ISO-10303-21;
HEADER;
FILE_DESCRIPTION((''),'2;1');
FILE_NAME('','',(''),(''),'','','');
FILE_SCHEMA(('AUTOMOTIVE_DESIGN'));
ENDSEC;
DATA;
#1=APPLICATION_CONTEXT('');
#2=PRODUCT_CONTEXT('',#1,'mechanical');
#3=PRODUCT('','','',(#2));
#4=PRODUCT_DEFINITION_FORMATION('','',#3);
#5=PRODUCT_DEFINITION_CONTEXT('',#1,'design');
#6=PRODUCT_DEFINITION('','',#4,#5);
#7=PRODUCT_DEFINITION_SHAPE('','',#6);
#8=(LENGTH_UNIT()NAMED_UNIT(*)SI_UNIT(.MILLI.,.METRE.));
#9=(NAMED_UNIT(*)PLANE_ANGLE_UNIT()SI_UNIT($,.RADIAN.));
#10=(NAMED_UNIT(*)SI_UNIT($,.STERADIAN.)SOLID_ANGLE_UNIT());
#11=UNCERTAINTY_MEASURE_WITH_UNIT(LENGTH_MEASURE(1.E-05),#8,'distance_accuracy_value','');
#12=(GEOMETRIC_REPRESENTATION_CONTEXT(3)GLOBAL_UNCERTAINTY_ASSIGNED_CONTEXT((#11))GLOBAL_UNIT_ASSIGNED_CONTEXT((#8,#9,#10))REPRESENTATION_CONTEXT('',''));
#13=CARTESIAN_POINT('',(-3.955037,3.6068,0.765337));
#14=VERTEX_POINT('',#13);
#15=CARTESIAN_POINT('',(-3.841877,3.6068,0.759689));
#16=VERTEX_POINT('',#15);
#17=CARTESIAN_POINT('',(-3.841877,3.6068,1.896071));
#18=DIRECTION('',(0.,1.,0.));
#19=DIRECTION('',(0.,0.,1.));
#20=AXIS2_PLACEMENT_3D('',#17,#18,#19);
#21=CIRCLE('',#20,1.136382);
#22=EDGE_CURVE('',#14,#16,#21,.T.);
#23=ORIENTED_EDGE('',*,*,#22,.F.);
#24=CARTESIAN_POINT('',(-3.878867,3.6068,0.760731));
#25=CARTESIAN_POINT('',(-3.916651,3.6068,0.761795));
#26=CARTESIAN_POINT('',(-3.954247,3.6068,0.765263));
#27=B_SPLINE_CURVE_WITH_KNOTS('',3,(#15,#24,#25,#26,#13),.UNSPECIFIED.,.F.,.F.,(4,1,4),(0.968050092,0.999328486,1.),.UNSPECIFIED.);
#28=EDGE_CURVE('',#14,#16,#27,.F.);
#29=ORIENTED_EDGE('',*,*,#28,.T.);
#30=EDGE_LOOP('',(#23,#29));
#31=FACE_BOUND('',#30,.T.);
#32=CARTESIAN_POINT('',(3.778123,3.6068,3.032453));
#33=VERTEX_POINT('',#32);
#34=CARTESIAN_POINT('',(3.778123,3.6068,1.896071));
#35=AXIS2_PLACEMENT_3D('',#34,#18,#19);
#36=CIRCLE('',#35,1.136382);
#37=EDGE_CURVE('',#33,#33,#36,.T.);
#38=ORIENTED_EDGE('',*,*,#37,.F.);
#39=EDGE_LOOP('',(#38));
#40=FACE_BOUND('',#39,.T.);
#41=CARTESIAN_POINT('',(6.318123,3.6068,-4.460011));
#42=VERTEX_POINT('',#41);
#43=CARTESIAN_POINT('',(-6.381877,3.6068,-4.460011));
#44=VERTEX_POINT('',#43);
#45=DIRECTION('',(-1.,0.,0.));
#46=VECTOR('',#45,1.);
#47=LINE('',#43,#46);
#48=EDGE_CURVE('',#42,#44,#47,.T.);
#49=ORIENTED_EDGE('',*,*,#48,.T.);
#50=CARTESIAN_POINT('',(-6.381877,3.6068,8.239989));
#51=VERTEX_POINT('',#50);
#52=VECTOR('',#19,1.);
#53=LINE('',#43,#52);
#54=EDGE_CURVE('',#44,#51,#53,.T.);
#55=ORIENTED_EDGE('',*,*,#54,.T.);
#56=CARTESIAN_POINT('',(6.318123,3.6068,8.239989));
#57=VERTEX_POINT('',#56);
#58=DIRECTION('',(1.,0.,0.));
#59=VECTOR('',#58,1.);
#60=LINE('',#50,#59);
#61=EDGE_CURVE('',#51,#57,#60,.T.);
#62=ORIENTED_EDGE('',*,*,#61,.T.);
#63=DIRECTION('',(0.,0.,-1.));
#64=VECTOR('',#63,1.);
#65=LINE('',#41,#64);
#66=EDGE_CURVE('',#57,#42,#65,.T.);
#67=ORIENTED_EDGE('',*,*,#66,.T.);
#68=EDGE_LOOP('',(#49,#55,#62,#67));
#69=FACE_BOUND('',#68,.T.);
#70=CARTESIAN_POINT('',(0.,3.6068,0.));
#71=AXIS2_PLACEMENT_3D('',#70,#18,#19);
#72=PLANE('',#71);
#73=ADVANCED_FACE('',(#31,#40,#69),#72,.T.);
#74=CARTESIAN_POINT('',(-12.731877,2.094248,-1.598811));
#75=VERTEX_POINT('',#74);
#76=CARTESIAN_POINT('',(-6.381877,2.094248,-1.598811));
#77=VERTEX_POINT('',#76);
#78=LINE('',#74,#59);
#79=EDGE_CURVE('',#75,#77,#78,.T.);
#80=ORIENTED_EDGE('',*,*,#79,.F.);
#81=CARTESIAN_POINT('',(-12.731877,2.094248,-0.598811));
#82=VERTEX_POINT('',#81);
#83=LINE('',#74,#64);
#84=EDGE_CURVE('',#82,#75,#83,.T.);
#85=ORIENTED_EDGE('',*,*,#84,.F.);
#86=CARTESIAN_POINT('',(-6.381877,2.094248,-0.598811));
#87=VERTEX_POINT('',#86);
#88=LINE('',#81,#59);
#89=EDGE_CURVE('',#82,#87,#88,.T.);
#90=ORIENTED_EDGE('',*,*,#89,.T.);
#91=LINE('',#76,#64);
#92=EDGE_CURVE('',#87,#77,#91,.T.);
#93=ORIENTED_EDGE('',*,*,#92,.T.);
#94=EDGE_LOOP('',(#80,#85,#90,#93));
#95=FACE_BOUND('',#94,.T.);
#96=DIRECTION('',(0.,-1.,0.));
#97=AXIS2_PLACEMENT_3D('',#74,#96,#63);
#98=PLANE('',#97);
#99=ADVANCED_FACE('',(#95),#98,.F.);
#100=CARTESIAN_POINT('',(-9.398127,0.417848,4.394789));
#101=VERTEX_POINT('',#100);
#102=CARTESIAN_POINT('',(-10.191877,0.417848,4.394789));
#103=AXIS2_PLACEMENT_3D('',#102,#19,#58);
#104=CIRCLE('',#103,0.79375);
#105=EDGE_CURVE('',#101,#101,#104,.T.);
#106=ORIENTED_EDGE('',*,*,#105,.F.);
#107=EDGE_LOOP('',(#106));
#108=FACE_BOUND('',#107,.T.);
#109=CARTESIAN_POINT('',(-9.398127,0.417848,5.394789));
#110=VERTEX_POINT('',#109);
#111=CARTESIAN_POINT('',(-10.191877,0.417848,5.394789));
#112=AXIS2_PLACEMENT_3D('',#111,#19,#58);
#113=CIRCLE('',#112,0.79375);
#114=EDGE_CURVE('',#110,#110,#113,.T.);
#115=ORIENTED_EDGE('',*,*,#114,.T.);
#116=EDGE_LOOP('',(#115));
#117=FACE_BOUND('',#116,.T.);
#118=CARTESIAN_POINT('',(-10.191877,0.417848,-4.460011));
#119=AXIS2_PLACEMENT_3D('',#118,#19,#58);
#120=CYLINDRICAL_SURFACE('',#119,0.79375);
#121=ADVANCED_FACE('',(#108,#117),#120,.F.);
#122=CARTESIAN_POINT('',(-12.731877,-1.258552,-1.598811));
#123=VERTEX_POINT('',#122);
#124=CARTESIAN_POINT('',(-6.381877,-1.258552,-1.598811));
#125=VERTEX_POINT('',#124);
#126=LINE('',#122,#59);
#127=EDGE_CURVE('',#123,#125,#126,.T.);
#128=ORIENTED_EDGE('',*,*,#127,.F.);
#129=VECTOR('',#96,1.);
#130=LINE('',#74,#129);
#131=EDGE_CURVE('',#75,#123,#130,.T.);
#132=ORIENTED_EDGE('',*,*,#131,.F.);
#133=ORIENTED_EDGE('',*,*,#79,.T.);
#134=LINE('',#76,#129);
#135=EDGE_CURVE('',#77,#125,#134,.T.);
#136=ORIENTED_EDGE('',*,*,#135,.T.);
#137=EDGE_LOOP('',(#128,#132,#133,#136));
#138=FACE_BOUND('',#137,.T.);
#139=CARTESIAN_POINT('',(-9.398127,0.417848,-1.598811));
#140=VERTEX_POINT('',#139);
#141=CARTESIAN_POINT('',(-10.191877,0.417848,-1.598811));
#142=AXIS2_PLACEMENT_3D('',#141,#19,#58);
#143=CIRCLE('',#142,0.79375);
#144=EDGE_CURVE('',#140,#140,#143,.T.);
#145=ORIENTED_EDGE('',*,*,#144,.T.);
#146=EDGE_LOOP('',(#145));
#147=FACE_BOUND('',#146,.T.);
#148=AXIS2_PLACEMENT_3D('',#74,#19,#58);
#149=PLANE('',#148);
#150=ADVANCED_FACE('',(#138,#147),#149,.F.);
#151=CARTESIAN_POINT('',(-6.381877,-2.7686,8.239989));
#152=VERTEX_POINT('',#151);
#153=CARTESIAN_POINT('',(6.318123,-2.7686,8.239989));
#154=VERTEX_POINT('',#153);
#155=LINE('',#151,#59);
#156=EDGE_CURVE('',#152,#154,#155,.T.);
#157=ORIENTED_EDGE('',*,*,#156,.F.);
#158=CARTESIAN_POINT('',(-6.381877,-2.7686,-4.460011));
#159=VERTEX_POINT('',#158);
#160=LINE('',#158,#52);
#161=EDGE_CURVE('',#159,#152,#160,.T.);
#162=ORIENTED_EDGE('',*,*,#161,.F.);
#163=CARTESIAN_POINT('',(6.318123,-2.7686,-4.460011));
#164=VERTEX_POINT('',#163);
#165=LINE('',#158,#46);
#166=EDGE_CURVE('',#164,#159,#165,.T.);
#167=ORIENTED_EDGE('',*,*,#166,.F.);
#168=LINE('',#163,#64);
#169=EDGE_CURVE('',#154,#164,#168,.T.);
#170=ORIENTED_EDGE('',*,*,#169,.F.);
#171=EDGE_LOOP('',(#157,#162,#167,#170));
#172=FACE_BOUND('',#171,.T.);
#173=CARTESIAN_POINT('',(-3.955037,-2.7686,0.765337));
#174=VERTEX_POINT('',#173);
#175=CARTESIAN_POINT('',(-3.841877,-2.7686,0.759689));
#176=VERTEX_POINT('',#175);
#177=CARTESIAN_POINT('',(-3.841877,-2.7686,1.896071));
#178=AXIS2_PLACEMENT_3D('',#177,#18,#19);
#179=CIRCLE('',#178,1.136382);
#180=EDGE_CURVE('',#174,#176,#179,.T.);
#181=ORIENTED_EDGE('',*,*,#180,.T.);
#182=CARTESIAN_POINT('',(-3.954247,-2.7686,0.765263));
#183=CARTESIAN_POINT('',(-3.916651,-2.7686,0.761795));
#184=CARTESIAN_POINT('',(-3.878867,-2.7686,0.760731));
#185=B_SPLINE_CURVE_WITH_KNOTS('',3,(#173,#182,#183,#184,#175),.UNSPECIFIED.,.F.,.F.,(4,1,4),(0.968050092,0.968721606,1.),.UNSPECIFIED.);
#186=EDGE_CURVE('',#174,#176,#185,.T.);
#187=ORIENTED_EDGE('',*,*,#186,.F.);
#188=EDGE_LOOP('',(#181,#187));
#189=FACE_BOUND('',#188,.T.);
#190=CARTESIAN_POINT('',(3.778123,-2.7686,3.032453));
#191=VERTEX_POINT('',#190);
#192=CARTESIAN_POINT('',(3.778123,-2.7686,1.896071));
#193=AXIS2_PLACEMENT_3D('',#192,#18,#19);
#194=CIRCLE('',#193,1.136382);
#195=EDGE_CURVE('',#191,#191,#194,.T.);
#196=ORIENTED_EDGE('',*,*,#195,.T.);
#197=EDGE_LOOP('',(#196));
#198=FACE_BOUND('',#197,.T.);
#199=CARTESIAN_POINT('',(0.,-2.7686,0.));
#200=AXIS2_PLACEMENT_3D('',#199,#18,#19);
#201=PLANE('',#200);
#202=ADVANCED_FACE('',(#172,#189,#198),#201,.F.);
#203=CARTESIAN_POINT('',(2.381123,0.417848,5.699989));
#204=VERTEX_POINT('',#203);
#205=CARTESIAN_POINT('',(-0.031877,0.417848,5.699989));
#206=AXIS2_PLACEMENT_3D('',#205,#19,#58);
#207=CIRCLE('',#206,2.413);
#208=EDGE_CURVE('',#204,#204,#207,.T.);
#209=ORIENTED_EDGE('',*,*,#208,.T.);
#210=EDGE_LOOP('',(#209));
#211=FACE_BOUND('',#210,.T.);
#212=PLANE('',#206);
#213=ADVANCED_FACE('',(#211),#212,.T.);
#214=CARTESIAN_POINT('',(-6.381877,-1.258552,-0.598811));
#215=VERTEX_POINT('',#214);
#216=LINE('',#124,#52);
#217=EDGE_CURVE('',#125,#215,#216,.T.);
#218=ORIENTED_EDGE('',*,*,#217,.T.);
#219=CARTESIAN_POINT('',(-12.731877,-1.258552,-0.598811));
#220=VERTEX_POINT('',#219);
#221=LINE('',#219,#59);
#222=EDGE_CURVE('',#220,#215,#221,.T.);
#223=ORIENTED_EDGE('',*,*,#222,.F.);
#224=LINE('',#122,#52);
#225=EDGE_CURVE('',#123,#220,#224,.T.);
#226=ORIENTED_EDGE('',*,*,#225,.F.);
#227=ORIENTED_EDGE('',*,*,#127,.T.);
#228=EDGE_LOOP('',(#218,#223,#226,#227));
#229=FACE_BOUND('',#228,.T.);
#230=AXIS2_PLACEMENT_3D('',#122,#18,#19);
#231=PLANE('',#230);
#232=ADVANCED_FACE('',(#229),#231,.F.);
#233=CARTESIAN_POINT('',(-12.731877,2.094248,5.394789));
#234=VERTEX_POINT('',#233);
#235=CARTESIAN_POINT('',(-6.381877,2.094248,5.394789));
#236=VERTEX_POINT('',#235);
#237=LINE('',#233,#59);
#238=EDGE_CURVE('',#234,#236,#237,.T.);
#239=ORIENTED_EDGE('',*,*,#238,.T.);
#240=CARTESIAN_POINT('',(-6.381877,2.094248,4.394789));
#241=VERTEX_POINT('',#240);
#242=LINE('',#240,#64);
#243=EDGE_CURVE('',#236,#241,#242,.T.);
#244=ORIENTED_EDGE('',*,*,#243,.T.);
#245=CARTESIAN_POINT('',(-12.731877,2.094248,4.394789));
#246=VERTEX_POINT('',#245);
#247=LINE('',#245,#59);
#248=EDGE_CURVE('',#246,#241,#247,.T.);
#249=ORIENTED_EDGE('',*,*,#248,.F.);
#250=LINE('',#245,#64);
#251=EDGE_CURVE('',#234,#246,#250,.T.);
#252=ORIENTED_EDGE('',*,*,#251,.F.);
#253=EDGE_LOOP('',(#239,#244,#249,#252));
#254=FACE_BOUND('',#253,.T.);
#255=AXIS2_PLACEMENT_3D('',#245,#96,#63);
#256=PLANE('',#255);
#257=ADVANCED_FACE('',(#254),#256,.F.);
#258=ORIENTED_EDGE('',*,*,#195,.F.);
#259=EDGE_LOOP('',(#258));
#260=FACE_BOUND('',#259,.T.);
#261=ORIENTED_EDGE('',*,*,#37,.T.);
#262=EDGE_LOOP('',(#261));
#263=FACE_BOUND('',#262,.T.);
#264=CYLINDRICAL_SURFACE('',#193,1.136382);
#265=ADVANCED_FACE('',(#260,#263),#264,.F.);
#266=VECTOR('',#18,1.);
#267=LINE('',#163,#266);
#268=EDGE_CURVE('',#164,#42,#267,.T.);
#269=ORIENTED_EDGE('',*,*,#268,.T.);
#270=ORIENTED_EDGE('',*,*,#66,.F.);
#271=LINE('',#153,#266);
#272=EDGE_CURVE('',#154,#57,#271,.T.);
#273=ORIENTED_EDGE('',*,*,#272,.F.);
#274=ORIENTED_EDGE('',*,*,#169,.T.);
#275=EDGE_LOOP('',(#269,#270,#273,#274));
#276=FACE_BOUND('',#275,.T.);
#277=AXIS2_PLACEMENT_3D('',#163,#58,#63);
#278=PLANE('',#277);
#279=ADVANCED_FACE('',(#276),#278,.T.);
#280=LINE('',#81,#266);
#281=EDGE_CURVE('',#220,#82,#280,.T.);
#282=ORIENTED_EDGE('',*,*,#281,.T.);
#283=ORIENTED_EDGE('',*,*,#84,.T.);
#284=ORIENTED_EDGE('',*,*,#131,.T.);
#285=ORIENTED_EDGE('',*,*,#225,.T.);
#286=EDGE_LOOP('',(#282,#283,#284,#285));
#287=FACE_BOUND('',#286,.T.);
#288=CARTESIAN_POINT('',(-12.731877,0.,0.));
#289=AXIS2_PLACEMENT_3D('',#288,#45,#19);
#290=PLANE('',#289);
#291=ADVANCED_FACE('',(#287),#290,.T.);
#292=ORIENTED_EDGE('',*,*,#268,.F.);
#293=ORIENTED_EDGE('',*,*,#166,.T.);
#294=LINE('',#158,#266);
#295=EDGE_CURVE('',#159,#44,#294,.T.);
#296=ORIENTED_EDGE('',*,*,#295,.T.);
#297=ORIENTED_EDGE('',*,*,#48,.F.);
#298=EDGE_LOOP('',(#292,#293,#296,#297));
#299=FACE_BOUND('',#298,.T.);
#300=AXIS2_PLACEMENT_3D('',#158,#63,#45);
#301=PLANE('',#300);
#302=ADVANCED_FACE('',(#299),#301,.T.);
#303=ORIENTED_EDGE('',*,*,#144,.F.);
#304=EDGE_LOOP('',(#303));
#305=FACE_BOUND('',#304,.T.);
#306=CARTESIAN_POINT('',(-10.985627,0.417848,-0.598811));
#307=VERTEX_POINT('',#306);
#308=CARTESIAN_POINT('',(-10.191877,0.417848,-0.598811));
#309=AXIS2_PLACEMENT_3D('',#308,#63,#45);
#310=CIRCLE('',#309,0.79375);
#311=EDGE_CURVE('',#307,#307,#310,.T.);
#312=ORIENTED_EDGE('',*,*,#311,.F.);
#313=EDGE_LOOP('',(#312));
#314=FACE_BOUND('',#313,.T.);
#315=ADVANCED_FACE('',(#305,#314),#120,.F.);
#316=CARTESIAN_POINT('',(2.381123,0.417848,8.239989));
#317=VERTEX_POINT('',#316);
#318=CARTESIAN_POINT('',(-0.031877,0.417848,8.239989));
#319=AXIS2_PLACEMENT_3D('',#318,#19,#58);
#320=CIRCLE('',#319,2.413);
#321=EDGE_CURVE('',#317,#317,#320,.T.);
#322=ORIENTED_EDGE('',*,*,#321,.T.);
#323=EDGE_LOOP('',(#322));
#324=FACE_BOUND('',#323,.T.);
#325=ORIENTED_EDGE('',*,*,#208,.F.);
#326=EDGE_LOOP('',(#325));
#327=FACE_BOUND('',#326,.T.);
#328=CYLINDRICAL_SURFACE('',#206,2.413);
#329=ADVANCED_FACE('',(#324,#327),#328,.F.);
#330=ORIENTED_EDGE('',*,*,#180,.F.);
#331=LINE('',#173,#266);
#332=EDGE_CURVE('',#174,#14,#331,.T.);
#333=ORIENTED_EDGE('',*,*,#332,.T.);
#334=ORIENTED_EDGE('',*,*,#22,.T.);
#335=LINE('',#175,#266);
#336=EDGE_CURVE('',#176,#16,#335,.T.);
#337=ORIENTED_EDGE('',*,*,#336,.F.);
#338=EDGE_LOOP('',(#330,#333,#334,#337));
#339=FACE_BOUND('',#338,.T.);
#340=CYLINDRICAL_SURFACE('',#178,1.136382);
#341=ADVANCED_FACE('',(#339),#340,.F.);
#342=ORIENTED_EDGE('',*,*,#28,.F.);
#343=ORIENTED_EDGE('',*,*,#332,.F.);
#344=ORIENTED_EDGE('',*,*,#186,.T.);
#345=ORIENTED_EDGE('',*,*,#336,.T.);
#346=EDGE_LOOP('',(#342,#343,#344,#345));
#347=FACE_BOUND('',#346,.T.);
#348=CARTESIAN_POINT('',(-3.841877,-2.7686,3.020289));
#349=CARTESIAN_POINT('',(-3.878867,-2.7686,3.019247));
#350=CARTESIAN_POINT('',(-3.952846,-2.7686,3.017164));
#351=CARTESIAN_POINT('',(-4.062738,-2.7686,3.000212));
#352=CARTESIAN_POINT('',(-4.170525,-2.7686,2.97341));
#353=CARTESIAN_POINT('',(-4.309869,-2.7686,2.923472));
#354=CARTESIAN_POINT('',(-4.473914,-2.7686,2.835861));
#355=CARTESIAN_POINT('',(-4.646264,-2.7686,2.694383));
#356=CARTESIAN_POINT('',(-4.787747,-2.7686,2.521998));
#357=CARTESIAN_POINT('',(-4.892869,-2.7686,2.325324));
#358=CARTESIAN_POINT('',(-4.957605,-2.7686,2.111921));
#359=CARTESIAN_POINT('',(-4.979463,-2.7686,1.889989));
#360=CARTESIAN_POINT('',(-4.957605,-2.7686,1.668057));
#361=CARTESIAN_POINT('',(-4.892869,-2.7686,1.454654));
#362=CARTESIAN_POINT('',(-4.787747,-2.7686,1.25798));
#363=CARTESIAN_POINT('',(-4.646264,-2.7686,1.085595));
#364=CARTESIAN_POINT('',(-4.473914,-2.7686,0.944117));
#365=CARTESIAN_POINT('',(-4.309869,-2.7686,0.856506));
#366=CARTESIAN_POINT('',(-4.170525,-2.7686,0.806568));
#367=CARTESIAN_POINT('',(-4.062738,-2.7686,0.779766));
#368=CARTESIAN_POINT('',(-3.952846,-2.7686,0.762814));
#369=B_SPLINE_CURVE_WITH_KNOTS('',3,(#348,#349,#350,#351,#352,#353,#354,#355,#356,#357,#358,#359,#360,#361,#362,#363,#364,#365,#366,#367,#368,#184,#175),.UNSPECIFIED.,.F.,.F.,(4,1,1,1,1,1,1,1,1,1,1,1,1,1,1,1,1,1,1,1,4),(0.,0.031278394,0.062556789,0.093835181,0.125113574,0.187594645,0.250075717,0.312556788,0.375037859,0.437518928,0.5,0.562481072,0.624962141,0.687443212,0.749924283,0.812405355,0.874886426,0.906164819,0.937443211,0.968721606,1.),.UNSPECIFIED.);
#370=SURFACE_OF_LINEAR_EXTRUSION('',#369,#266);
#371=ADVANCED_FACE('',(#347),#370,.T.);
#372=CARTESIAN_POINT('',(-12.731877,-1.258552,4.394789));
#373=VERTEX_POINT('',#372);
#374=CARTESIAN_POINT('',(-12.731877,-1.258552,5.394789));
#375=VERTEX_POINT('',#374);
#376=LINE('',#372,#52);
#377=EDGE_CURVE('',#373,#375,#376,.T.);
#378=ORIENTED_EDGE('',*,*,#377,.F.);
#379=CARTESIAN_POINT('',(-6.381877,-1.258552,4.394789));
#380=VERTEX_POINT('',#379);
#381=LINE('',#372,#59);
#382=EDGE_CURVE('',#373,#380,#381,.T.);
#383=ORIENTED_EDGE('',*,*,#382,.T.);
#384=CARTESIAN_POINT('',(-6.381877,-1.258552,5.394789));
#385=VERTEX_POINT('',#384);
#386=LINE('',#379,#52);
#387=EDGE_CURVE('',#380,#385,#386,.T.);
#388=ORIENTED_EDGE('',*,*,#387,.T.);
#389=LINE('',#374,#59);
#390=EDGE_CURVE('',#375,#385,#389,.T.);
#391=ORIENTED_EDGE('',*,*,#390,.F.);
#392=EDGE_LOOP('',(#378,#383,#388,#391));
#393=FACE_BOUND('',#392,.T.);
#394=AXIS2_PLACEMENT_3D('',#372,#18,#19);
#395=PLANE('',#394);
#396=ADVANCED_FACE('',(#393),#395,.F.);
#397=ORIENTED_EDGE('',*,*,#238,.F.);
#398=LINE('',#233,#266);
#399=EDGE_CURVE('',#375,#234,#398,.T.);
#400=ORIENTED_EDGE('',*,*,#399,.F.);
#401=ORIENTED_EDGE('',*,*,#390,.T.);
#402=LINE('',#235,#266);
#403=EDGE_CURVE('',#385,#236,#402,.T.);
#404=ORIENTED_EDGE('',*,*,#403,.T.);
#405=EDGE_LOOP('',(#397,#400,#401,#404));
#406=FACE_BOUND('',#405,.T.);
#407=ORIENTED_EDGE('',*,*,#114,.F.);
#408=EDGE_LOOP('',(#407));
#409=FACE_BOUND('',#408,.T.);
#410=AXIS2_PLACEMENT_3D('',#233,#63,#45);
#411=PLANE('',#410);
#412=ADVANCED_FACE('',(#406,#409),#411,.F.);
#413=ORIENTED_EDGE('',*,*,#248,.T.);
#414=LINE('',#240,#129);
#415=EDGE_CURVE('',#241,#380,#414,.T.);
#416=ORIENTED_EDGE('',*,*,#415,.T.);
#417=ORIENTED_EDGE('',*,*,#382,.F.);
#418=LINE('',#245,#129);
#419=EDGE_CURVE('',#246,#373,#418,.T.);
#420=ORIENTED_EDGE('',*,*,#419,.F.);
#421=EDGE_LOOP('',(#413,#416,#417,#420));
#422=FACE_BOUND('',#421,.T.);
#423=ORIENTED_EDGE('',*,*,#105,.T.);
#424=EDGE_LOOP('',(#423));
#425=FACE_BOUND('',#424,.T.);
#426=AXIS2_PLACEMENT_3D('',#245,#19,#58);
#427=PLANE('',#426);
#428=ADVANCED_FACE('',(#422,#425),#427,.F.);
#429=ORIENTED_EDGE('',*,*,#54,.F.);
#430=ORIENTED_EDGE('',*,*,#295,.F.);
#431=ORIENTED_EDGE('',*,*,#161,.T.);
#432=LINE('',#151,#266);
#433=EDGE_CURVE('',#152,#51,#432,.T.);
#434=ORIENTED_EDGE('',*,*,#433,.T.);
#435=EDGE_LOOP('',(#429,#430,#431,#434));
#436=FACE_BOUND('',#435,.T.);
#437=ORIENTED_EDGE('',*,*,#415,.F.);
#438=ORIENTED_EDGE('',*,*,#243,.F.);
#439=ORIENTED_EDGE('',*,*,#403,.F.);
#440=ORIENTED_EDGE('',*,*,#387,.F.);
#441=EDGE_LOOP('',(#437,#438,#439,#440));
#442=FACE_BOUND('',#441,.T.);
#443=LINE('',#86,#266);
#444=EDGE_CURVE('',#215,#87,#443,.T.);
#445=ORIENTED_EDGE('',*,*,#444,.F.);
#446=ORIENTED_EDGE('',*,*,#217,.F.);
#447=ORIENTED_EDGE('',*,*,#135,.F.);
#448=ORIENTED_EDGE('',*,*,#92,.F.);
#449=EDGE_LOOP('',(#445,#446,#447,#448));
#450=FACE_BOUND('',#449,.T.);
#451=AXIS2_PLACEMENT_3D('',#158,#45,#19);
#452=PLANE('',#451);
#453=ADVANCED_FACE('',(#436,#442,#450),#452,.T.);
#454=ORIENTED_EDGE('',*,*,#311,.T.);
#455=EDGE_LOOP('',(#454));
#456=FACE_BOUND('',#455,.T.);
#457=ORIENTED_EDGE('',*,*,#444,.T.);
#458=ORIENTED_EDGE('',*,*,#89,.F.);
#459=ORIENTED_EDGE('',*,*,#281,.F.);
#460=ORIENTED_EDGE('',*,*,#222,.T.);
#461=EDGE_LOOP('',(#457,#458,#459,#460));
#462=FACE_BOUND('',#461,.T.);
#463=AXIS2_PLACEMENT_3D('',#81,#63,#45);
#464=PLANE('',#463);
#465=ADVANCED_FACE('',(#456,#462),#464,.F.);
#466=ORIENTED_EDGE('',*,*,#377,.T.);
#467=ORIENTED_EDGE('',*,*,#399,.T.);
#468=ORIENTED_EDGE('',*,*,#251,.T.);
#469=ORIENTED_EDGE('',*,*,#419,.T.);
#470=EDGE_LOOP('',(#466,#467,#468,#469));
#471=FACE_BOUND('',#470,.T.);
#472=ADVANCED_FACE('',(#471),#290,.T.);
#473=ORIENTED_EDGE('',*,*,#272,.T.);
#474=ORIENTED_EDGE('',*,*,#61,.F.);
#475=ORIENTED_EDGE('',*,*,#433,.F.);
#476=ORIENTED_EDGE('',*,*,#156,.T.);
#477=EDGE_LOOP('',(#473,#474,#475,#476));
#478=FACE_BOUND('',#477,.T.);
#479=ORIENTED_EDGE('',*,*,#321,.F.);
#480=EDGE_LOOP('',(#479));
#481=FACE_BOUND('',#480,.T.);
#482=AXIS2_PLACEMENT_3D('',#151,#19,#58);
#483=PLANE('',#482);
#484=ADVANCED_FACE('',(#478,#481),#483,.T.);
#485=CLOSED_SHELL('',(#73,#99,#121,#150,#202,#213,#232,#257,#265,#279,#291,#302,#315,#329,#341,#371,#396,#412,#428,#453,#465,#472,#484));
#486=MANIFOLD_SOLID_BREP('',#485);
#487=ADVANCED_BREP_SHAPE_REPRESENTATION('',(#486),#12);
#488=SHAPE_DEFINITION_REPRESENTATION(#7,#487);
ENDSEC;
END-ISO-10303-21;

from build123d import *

# Parameters (mm, degrees)
SKETCH2_W                = 12.7
SKETCH2_H                = 12.7
BOSS_EXTRUDE4_DEPTH      = 3.6068
BOSS_EXTRUDE4_DEPTH_BACK = 2.7686
SKETCH3_W                = 1.000000006
SKETCH3_H                = 3.352800001
BOSS_EXTRUDE5_DEPTH      = 6.35
SKETCH4_R                = 0.79375
CUT_EXTRUDE1_DEPTH       = 10.854800007
SKETCH5_R                = 2.413000001
CUT_EXTRUDE2_DEPTH       = 2.54
SKETCH7_R                = 1.136382046
CUT_EXTRUDE4_DEPTH       = 7.3754


with BuildPart() as part:
    # Sketch2 → Boss-Extrude4 (new body, two sides)
    with BuildSketch(Plane(origin=(0, 0, 0), x_dir=(1, 0, 0), z_dir=(0, 1, 0))) as boss_extrude4_sk:
        with Locations((-0.031876663, -1.889989023)):
            Rectangle(SKETCH2_W, SKETCH2_H)
    extrude(amount=BOSS_EXTRUDE4_DEPTH)
    extrude(boss_extrude4_sk.sketch, amount=-BOSS_EXTRUDE4_DEPTH_BACK)

    # Sketch3 → Boss-Extrude5 (add)
    with BuildSketch(Plane.ZY.offset(6.381876663)):
        with Locations((-1.098810974, 0.417848354)):
            Rectangle(SKETCH3_W, SKETCH3_H)
        with Locations((4.894789026, 0.417848354)):
            Rectangle(SKETCH3_W, SKETCH3_H)
    extrude(amount=BOSS_EXTRUDE5_DEPTH)

    # Sketch4 → Cut-Extrude1 (cut, through all)
    with BuildSketch(Plane.XY.offset(5.394789029)):
        with Locations((-10.191876663, 0.417848354)):
            Circle(SKETCH4_R)
    extrude(amount=-CUT_EXTRUDE1_DEPTH, mode=Mode.SUBTRACT)

    # Sketch5 → Cut-Extrude2 (cut)
    with BuildSketch(Plane.XY.offset(8.239989023)):
        with Locations((-0.031876663, 0.417848354)):
            Circle(SKETCH5_R)
    extrude(amount=-CUT_EXTRUDE2_DEPTH, mode=Mode.SUBTRACT)

    # Sketch7 → Cut-Extrude4 (cut, through all)
    with BuildSketch(Plane(origin=(0, 3.6068, 0), x_dir=(1, 0, 0), z_dir=(0, 1, 0))):
        with Locations((-3.841876663, -1.89607107)):
            Circle(SKETCH7_R)
        with Locations((3.778123337, -1.89607107)):
            Circle(SKETCH7_R)
    extrude(amount=-CUT_EXTRUDE4_DEPTH, mode=Mode.SUBTRACT)


solid = part.part
